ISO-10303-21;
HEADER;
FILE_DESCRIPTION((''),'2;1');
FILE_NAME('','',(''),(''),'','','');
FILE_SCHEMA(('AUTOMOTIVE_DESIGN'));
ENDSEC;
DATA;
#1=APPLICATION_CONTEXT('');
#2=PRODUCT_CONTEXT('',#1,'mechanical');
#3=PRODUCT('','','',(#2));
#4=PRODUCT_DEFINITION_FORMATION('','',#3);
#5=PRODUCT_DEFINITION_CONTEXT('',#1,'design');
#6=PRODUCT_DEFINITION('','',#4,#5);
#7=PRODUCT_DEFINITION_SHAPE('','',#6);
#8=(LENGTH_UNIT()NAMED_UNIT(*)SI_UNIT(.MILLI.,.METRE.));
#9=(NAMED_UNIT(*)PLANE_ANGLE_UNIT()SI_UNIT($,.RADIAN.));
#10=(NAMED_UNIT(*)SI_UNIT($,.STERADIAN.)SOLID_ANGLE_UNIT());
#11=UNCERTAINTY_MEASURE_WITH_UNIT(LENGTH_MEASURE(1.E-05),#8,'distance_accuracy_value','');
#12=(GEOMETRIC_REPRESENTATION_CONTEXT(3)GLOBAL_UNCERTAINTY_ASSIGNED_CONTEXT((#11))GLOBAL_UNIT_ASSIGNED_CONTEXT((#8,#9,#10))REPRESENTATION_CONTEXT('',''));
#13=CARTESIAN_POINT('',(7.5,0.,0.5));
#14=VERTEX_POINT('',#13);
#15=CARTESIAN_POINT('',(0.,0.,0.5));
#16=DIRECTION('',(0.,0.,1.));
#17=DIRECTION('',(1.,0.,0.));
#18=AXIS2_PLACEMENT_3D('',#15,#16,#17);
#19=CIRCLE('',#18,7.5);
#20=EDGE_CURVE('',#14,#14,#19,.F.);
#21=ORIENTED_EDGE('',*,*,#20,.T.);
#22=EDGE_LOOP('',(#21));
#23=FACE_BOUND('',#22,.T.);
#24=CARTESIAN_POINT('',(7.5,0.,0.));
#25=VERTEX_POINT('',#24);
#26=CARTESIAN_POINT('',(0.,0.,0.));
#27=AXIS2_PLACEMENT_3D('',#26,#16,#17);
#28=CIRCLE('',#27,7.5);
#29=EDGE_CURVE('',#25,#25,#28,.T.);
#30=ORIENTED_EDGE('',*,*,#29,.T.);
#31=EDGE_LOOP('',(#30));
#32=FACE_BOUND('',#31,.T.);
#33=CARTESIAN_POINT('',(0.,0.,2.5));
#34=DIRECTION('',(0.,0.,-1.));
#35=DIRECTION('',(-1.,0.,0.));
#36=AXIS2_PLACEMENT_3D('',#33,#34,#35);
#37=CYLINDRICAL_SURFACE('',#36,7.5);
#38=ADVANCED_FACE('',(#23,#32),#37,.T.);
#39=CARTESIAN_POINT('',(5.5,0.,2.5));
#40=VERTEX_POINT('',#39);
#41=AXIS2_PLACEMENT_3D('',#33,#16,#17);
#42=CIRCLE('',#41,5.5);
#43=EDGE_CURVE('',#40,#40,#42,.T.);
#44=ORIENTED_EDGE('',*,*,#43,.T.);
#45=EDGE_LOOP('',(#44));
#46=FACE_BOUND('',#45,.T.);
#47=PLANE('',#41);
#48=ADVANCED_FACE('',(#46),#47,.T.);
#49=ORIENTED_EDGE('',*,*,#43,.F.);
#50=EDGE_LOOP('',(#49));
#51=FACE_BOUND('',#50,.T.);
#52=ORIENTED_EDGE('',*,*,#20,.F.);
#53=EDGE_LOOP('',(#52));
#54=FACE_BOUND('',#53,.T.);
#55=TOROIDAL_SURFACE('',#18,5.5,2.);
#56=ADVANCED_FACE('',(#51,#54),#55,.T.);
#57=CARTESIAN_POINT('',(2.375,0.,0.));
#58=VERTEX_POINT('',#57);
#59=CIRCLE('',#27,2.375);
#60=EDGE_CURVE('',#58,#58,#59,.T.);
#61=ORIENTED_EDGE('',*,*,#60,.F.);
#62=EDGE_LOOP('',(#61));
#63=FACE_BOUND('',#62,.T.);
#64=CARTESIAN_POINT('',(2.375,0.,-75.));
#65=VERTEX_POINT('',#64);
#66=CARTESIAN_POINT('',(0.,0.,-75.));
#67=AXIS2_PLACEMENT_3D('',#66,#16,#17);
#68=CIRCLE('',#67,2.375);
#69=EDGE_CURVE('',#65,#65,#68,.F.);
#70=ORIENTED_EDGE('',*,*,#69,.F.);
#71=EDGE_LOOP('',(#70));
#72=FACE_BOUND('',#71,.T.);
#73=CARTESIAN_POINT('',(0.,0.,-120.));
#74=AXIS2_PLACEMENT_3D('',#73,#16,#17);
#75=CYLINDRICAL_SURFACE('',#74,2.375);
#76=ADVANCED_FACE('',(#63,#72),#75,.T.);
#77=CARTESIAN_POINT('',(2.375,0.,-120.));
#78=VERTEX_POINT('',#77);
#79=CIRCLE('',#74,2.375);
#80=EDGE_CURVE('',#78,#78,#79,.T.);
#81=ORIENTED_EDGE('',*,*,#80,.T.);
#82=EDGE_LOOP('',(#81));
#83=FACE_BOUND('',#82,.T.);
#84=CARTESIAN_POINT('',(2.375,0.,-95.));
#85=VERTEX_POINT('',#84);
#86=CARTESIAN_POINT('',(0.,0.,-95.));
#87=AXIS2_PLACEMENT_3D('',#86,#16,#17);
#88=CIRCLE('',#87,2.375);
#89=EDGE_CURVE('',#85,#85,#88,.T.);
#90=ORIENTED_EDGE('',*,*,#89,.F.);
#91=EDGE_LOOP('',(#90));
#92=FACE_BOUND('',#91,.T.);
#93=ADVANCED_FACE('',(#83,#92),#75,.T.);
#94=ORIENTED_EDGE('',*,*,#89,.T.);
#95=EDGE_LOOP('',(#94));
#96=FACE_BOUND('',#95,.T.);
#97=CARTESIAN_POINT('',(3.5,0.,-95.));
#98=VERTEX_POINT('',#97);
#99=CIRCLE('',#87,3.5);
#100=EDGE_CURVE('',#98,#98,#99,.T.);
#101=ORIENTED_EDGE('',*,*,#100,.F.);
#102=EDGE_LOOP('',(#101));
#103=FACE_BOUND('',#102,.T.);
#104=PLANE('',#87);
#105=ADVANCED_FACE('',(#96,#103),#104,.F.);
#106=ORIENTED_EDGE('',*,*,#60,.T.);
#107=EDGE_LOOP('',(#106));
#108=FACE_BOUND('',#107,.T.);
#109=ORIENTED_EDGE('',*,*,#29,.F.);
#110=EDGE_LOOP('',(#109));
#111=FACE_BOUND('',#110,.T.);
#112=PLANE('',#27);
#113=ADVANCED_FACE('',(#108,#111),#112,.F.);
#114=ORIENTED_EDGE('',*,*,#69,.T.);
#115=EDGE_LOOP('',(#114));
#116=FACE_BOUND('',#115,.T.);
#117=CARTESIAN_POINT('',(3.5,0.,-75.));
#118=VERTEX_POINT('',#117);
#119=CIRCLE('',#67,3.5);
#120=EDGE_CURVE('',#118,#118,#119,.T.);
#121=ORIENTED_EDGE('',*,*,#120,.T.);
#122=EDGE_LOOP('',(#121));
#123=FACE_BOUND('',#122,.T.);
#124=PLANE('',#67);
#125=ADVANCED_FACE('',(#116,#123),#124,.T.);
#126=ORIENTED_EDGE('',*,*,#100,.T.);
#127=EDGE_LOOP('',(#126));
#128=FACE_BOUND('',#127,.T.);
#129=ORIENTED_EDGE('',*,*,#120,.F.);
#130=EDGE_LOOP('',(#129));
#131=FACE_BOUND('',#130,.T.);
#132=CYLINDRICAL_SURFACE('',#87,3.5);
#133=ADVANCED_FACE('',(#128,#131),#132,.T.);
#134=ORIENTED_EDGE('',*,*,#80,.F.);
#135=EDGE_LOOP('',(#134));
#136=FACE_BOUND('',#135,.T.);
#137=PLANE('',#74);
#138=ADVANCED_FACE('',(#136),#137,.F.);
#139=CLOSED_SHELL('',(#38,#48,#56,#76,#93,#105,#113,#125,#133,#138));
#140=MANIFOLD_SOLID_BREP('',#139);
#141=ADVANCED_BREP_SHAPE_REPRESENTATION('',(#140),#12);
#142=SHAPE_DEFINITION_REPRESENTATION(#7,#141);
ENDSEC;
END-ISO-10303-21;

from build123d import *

# Parameters (mm, degrees)
SKETCH1_R           = 7.5
BOSS_EXTRUDE1_DEPTH = 2.5
SKETCH1_3_R         = 2.375
BOSS_EXTRUDE2_DEPTH = 120
BOSS_EXTRUDE3_START = -75
SKETCH1_4_R         = 3.5
SKETCH1_4_R_2       = 2.375
BOSS_EXTRUDE3_DEPTH = 20
FILLET1_R           = 2


with BuildPart() as part:
    # Sketch1 → Boss-Extrude1 (new body)
    with BuildSketch(Plane.XY):
        Circle(SKETCH1_R)
    extrude(amount=BOSS_EXTRUDE1_DEPTH)

    # Sketch1_3 → Boss-Extrude2 (add)
    with BuildSketch(Plane.XY):
        Circle(SKETCH1_3_R)
    extrude(amount=-BOSS_EXTRUDE2_DEPTH)

    # Sketch1_4 → Boss-Extrude3 (add)
    with BuildSketch(Plane.XY.offset(BOSS_EXTRUDE3_START)):
        Circle(SKETCH1_4_R)
        Circle(SKETCH1_4_R_2, mode=Mode.SUBTRACT)
    extrude(amount=-BOSS_EXTRUDE3_DEPTH)

    # Fillet1
    fillet1_edges = [part.edges().sort_by_distance(p)[0] for p in [
        (-7.5, 0, 2.5),
    ]]
    fillet(fillet1_edges, radius=FILLET1_R)


solid = part.part
